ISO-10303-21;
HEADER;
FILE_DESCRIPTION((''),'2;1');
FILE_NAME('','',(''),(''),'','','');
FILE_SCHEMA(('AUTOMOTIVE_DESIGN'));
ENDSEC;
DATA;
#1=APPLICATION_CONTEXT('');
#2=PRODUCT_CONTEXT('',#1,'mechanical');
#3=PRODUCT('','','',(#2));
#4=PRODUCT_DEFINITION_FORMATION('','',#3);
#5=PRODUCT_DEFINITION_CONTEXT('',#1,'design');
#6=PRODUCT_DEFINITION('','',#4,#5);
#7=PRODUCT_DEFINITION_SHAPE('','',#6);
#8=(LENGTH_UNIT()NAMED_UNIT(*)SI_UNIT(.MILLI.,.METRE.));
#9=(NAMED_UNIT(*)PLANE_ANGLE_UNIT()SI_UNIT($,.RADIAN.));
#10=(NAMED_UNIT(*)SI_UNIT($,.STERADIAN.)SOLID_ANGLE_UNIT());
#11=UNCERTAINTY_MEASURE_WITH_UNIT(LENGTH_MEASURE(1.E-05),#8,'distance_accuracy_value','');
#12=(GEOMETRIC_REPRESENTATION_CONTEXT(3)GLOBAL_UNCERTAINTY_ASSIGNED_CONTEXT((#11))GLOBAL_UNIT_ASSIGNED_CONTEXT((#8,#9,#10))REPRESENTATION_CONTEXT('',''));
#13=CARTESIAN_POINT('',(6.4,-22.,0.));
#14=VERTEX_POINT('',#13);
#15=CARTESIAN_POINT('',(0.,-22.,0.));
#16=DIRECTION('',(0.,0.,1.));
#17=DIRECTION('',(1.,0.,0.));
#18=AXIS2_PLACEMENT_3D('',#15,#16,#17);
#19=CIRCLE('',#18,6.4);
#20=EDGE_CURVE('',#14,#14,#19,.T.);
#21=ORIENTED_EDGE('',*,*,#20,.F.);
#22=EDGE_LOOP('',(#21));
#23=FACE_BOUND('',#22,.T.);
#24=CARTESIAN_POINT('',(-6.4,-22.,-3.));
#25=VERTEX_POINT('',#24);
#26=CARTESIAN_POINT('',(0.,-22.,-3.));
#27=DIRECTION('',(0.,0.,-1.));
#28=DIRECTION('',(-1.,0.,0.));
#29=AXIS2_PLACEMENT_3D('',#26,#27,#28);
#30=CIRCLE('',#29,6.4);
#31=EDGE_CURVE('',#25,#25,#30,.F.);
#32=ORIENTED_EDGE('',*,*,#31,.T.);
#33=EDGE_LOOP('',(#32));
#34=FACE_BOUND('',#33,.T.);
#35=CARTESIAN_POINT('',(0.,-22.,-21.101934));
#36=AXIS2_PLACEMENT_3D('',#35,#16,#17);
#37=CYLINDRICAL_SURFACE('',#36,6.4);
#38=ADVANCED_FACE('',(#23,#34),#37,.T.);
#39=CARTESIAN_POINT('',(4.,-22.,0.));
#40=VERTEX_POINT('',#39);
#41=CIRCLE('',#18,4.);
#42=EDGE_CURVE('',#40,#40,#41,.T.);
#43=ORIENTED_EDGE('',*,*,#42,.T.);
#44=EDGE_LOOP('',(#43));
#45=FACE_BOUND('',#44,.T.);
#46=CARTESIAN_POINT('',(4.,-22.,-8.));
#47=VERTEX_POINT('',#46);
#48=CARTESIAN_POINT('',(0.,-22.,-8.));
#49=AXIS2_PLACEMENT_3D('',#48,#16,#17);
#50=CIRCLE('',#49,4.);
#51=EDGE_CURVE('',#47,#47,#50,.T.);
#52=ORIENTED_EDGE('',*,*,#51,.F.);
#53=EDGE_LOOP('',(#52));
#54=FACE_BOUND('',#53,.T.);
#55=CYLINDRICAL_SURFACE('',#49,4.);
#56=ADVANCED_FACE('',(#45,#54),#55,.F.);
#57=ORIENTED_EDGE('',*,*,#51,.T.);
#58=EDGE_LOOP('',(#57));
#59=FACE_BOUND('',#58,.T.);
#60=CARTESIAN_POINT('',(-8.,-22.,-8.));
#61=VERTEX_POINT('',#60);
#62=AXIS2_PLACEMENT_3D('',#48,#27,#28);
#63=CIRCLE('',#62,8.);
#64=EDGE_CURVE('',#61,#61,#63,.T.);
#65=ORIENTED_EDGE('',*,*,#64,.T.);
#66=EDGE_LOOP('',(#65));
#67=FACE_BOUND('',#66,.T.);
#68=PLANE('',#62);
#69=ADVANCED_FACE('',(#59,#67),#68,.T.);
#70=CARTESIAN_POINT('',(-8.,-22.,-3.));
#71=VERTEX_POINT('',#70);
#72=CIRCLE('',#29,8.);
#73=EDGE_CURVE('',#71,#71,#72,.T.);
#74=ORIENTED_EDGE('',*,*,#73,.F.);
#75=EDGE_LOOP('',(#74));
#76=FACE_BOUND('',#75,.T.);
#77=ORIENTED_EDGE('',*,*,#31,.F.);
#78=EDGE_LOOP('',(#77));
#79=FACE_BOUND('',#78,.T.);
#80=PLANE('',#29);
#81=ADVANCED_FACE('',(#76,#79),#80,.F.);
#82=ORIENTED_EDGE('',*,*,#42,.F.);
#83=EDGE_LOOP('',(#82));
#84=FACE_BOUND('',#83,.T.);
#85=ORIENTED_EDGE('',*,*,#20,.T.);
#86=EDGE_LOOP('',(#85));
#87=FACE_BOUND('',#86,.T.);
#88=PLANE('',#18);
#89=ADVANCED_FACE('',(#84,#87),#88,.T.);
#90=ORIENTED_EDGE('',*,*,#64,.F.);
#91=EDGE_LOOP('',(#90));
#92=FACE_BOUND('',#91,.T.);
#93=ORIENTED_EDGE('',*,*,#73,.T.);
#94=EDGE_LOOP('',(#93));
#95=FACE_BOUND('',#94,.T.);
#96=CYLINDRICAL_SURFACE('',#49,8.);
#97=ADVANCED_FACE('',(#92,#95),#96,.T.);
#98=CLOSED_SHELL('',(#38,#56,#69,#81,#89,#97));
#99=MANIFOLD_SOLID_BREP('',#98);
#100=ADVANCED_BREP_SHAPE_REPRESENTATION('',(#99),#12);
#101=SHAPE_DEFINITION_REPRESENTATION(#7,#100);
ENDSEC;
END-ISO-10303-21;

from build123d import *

# Parameters (mm, degrees)
SKETCH1_R          = 6.4
EXTRUDE1_DEPTH     = 3
SKETCH2_R          = 8
EXTRUDE2_DEPTH     = 5
SKETCH3_R          = 4
CUT_EXTRUDE1_DEPTH = 33.062439084


with BuildPart() as part:
    # Sketch1 → Extrude1 (new body)
    with BuildSketch(Plane.XY):
        with Locations((0, -22)):
            Circle(SKETCH1_R)
    extrude(amount=-EXTRUDE1_DEPTH)

    # Sketch2 → Extrude2 (add)
    with BuildSketch(Plane(origin=(0, 0, -3), x_dir=(-1, 0, 0), z_dir=(0, 0, -1))):
        with Locations((0, -22)):
            Circle(SKETCH2_R)
    extrude(amount=EXTRUDE2_DEPTH)

    # Sketch3 → Cut-Extrude1 (cut, through all)
    with BuildSketch(Plane.XY):
        with Locations((0, -22)):
            Circle(SKETCH3_R)
    extrude(amount=-CUT_EXTRUDE1_DEPTH, mode=Mode.SUBTRACT)


solid = part.part
